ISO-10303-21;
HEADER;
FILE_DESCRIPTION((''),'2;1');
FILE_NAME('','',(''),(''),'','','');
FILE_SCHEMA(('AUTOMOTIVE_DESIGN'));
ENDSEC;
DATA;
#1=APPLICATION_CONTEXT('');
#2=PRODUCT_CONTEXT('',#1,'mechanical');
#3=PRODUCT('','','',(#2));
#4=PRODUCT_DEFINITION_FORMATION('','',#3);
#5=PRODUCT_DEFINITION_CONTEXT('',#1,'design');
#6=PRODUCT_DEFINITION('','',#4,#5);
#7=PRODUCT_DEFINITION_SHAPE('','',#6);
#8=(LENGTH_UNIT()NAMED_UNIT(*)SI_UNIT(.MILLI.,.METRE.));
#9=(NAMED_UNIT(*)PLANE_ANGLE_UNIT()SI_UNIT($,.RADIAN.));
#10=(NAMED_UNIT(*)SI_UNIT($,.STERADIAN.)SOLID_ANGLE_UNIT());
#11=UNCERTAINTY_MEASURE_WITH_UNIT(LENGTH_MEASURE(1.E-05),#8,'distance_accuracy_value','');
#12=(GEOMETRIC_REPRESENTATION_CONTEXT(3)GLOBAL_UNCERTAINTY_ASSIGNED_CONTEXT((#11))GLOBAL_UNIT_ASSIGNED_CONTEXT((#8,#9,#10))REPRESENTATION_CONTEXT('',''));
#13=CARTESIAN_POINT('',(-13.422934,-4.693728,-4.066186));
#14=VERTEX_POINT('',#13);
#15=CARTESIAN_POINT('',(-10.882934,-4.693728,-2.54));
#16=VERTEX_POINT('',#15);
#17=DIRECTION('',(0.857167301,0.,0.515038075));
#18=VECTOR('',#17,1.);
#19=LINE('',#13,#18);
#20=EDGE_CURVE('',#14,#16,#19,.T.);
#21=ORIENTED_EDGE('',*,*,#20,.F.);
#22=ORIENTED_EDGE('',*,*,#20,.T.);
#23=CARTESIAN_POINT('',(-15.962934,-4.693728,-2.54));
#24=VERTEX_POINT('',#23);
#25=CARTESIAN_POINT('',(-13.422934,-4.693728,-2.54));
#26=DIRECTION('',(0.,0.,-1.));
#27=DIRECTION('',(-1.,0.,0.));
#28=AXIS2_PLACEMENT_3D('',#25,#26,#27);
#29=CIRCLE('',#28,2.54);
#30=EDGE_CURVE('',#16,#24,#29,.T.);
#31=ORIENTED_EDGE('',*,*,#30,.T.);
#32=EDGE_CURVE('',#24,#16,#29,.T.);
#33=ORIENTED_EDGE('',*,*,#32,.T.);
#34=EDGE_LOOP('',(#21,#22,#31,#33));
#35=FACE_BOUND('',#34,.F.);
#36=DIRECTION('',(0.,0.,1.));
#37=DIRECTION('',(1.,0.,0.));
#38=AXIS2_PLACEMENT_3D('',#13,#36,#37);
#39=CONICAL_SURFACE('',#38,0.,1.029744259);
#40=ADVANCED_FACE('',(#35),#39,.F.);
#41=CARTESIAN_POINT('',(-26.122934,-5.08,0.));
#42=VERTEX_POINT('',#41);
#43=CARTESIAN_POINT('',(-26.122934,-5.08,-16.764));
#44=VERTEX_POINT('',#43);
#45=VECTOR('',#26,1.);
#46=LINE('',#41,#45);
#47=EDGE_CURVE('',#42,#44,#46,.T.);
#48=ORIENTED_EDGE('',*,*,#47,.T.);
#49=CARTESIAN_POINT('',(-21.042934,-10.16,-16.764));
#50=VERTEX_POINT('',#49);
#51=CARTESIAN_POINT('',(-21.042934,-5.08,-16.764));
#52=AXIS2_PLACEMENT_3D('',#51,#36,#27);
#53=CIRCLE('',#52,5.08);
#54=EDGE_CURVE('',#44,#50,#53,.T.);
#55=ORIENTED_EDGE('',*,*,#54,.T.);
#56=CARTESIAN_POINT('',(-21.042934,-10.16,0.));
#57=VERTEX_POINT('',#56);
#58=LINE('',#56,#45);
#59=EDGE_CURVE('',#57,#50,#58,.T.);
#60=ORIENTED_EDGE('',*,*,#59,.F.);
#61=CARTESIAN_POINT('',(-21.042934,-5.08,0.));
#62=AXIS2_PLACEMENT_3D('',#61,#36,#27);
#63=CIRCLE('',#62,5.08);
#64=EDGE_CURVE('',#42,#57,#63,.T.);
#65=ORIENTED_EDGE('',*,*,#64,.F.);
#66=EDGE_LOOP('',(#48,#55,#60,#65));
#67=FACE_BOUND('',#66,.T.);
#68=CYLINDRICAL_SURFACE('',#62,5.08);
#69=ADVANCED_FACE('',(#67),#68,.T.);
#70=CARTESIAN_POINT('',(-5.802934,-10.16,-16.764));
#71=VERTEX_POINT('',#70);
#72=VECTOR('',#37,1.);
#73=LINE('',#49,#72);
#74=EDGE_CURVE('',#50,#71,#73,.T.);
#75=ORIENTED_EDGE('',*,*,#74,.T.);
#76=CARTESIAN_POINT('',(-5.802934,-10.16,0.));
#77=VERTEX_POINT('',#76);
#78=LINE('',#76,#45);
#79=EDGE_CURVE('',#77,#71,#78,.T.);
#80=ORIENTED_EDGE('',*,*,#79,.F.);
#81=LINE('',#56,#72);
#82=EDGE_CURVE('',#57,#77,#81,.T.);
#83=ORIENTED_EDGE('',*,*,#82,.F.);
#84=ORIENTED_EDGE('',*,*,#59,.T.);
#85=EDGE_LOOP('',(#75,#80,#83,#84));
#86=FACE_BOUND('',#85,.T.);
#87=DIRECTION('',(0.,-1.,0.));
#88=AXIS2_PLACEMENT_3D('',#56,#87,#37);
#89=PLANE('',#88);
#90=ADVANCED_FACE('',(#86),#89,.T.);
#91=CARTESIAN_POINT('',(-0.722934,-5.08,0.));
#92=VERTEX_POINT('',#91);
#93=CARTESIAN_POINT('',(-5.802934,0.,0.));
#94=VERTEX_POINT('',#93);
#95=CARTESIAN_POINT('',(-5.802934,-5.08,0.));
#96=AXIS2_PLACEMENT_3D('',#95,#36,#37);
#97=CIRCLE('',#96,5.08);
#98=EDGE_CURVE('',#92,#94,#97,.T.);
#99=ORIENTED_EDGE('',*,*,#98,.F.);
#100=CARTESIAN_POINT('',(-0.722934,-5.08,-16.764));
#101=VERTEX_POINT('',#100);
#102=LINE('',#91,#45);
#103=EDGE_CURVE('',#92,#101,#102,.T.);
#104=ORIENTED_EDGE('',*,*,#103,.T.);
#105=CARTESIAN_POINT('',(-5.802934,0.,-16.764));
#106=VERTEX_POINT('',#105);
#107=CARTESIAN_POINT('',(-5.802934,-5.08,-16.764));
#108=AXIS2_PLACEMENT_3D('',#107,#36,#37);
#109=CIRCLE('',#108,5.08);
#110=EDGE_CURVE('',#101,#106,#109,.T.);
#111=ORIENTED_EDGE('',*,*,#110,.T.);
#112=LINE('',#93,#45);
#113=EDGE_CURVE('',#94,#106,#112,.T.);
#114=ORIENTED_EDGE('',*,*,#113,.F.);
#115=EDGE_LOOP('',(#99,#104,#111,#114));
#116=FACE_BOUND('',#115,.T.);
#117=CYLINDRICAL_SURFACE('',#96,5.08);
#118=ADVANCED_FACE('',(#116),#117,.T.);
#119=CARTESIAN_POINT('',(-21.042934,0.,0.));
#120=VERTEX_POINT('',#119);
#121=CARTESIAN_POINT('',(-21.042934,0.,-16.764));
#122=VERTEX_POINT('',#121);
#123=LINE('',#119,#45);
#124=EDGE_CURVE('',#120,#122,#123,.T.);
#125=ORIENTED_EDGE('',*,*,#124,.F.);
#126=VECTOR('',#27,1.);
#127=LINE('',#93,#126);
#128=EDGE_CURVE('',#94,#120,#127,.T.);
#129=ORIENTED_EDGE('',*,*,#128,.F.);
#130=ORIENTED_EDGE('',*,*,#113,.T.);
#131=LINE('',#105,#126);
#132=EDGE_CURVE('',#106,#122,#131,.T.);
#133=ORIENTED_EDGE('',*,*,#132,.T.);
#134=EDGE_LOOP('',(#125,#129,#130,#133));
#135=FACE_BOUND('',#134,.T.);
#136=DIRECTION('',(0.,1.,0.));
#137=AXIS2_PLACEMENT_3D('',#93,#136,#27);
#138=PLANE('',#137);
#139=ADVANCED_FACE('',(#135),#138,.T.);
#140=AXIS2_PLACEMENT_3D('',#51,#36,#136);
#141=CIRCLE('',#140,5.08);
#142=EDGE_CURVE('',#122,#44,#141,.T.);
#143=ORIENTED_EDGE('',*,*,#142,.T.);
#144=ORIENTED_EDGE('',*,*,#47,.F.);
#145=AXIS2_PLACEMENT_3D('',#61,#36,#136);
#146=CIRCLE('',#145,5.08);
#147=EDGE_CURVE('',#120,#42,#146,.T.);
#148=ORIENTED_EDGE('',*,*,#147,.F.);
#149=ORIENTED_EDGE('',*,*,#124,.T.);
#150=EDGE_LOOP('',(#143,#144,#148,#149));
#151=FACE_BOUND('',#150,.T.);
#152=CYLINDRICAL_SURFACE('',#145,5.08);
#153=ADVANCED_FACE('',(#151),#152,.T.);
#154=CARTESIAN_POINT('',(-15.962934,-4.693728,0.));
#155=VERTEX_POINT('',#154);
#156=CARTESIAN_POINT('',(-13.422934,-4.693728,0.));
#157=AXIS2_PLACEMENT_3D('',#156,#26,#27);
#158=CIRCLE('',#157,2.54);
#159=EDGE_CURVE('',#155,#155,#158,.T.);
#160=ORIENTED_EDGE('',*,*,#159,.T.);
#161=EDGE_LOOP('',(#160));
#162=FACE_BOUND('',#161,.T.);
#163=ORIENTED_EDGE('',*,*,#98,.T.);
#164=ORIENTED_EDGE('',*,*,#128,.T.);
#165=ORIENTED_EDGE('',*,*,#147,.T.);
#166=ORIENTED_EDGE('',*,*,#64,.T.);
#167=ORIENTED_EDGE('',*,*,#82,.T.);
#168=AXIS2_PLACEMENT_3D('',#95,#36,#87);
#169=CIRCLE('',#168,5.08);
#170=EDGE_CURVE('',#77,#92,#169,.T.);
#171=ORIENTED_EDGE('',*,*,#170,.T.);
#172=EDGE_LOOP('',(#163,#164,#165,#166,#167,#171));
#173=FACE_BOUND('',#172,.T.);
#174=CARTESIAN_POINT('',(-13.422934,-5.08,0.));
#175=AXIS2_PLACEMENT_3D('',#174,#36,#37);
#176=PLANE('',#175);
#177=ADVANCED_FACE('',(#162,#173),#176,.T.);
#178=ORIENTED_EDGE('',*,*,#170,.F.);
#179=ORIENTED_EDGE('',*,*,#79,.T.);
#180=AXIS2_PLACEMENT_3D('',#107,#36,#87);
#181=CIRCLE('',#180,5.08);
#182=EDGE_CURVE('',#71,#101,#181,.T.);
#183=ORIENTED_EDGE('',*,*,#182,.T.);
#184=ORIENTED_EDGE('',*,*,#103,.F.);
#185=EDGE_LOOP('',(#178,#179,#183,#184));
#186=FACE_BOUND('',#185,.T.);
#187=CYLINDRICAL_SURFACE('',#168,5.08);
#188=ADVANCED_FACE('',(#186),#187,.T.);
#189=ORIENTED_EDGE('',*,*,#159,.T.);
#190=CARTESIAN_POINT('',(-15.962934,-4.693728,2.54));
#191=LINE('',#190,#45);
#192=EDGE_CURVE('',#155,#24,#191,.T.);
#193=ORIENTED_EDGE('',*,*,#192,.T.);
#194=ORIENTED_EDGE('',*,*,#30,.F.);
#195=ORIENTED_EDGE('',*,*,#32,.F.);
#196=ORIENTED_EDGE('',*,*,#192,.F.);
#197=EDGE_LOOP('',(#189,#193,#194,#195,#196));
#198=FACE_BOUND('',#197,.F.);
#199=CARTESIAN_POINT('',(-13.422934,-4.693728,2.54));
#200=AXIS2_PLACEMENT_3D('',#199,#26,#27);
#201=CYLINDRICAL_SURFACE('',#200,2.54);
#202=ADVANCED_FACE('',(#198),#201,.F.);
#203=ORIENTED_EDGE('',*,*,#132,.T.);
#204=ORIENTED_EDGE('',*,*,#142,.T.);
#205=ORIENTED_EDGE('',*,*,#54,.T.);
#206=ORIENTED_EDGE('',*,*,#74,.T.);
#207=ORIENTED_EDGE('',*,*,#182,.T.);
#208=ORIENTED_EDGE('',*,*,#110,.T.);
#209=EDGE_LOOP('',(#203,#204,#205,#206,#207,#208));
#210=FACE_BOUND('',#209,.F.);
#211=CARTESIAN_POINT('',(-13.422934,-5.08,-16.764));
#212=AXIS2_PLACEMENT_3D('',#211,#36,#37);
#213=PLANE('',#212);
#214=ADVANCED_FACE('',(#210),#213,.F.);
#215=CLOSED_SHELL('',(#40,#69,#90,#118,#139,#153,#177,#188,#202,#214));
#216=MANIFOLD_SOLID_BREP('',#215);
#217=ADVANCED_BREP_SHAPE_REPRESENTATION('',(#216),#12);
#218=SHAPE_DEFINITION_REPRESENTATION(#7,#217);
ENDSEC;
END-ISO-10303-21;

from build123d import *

# Parameters (mm, degrees)
F1_DEPTH = 16.764
F2_D     = 5.08
F2_DEPTH = 2.54
F2_TIP   = 1.5261859723


with BuildPart() as f1:
    # F0 (on Top) → F1 (new body)
    with BuildSketch(Plane.XY):
        with BuildLine():
            Line((-5.8029337353, 0), (-21.0429337353, 0))
            ThreePointArc((-21.0429337353, 0), (-24.6350361837, -1.4878975516), (-26.1229337353, -5.08))
            ThreePointArc((-26.1229337353, -5.08), (-24.6350361837, -8.6721024484), (-21.0429337353, -10.16))
            Line((-21.0429337353, -10.16), (-5.8029337353, -10.16))
            ThreePointArc((-5.8029337353, -10.16), (-2.2108312868, -8.6721024484), (-0.7229337353, -5.08))
            ThreePointArc((-0.7229337353, -5.08), (-2.2108312868, -1.4878975516), (-5.8029337353, 0))
        make_face()
    extrude(amount=-F1_DEPTH)

    # F2
    with Locations(Plane.XY):
        with Locations((-13.4229337353, -4.6937279403)):
            Hole(F2_D / 2, depth=F2_DEPTH)
            with Locations((0, 0, -(F2_DEPTH + F2_TIP / 2))):  # 118° drill point
                Cone(0, F2_D / 2, F2_TIP, mode=Mode.SUBTRACT)


solid = f1.part
